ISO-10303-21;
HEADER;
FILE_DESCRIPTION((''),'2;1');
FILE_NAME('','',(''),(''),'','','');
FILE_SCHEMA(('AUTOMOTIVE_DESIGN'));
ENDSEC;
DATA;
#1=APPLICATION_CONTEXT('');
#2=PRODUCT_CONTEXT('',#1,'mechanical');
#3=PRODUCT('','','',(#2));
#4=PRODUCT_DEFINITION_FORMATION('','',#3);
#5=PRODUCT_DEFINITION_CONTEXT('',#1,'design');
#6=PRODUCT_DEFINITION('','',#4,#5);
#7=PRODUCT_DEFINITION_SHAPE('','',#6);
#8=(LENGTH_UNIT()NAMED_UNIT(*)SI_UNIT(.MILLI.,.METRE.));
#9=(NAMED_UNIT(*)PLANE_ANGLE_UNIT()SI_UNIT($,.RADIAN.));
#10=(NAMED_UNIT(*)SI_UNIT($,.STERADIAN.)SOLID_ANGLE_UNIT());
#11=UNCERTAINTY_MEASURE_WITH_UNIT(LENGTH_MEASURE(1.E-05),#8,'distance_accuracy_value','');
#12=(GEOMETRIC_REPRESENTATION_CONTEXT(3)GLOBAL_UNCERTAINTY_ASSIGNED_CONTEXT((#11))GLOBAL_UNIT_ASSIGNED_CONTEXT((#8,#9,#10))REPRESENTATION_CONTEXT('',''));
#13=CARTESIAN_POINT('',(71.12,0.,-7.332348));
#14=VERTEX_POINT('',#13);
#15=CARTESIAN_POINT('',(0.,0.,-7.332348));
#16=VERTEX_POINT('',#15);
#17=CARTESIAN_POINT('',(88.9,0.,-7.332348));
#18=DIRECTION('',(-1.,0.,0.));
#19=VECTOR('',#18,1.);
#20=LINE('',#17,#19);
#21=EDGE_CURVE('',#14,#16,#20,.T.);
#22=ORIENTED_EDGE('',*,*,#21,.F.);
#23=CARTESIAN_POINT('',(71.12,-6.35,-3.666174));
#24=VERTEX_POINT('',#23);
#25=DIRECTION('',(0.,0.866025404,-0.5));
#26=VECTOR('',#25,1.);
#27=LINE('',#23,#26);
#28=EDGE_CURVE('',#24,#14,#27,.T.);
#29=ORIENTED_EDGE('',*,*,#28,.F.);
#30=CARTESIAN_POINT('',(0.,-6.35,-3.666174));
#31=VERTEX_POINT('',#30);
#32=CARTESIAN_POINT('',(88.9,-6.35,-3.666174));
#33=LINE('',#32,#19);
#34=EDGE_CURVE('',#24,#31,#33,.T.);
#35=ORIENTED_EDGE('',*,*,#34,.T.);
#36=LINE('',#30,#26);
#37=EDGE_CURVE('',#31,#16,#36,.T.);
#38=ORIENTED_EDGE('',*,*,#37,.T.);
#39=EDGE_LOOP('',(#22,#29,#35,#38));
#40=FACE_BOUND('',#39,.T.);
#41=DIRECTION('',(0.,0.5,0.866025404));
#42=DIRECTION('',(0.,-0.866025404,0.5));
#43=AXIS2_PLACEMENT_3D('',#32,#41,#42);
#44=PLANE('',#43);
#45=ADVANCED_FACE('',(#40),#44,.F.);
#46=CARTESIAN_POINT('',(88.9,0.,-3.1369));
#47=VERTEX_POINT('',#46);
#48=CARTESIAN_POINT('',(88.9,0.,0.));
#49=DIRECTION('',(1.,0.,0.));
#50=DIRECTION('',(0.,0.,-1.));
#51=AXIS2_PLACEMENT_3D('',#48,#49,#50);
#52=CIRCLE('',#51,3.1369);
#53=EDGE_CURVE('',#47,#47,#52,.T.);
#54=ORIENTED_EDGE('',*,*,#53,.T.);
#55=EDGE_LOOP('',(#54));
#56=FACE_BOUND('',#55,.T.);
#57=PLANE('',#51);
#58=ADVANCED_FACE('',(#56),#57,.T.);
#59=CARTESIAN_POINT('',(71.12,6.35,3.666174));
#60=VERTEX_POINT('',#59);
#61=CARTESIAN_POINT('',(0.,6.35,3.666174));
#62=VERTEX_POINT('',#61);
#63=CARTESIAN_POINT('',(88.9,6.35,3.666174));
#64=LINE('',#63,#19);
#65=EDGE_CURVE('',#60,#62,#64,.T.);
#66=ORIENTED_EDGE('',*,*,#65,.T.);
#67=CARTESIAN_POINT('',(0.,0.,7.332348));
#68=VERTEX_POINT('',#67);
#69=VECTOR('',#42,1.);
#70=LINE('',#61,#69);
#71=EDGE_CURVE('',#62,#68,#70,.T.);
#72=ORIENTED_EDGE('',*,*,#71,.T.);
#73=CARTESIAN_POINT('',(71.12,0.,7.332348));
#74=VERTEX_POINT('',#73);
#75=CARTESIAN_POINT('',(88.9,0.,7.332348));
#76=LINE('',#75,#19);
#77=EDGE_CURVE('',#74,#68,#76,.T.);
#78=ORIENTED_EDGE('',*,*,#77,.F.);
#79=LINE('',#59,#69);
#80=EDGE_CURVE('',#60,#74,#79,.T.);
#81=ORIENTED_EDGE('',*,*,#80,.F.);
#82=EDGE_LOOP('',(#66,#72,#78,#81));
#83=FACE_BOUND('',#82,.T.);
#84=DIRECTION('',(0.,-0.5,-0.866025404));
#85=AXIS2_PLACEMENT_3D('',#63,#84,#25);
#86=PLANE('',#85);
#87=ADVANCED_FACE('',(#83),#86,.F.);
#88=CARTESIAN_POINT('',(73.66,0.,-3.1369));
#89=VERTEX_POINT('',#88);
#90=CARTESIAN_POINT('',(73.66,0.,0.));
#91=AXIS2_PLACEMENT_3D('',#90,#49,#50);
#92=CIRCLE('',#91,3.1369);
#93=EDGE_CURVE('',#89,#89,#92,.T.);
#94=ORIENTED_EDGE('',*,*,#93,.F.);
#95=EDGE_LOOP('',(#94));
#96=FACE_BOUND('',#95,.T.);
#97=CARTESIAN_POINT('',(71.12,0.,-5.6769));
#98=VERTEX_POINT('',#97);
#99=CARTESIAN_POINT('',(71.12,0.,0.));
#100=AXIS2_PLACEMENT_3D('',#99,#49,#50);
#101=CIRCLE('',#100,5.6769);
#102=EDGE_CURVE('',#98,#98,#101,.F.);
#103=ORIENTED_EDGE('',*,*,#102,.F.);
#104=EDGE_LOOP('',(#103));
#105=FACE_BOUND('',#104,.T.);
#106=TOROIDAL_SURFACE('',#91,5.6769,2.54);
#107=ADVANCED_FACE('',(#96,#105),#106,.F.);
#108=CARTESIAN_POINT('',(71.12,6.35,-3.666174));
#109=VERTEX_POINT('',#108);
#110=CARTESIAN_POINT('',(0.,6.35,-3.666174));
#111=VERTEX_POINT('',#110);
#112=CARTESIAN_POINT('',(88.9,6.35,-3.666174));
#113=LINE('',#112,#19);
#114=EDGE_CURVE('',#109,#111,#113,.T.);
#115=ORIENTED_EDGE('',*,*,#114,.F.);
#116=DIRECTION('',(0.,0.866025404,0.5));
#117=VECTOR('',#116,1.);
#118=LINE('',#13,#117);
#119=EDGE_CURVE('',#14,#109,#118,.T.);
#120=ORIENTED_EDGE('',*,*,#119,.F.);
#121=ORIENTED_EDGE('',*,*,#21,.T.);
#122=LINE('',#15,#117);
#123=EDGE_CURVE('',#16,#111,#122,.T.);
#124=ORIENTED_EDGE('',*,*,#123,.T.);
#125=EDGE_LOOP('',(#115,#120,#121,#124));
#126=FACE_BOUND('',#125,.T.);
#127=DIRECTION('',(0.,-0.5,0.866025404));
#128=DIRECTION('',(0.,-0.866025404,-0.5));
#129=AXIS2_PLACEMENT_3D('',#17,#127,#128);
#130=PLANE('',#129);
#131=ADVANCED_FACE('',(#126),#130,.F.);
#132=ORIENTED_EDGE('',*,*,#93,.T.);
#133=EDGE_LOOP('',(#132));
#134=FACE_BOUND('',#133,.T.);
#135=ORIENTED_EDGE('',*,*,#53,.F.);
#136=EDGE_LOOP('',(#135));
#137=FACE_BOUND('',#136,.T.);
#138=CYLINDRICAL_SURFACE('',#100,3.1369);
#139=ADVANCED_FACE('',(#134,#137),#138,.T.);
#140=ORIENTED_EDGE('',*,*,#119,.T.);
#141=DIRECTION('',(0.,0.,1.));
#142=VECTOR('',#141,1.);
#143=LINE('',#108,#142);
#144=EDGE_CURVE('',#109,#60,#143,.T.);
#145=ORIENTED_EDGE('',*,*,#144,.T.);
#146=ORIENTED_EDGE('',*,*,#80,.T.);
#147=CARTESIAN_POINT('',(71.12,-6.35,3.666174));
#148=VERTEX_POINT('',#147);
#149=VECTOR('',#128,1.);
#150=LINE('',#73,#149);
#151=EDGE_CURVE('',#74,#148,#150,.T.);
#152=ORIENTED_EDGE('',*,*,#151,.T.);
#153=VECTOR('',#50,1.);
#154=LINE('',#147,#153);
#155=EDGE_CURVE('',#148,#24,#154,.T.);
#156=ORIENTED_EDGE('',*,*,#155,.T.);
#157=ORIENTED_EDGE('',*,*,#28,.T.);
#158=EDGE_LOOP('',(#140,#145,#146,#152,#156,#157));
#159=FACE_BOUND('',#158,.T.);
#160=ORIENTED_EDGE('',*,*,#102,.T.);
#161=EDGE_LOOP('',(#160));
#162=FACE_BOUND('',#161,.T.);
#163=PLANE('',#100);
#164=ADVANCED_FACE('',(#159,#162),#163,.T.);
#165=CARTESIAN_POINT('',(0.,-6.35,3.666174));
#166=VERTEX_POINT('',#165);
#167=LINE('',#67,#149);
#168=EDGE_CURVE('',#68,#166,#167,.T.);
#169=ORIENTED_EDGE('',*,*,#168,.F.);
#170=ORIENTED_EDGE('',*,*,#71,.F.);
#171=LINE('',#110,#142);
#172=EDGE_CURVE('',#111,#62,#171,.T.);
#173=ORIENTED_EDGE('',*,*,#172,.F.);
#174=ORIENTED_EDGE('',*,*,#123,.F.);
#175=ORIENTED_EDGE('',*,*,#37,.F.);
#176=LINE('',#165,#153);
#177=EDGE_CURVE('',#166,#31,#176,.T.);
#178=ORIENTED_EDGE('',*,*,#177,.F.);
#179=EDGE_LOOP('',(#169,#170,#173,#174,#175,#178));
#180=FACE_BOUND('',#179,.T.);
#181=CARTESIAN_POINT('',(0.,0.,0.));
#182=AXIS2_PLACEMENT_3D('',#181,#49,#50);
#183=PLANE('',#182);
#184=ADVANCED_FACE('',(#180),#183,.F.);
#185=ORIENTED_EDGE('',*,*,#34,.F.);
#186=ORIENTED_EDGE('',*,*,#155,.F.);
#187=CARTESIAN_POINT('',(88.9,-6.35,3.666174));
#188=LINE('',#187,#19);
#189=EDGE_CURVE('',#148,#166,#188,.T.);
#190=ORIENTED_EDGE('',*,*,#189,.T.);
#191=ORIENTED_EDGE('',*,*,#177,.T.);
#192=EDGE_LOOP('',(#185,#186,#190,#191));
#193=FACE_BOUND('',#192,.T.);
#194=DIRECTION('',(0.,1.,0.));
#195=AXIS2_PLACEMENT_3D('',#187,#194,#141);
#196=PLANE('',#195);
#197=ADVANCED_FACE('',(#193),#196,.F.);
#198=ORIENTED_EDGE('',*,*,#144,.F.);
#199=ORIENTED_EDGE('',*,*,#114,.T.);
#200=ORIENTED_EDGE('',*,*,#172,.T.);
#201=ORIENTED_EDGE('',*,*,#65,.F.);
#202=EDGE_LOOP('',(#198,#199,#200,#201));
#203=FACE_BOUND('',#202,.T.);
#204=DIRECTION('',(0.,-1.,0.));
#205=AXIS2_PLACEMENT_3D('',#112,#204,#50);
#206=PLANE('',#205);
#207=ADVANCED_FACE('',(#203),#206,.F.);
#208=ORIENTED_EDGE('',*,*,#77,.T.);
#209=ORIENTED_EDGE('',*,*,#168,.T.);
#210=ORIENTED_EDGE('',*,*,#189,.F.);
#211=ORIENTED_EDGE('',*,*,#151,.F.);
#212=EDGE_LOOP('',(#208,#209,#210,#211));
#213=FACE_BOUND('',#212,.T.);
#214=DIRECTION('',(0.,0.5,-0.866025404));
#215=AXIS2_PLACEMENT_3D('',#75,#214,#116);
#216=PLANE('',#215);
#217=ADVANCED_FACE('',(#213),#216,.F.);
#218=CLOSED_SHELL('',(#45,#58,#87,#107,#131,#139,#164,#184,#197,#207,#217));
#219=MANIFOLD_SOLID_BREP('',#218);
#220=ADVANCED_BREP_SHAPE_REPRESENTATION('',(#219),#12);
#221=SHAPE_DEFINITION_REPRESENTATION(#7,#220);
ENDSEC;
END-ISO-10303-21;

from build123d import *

# Parameters (mm, degrees)
BOSS_EXTRUDE1_DEPTH = 88.9
SKETCH2_R           = 9.399520033
SKETCH2_R_2         = 3.1369
CUT_EXTRUDE1_DEPTH  = 17.78
FILLET1_R           = 2.54


with BuildPart() as part:
    # Sketch1 → Boss-Extrude1 (new body)
    with BuildSketch(Plane(origin=(0, 0, 0), x_dir=(0, 0, -1), z_dir=(1, 0, 0))):
        Polygon((3.666174209, -6.35), (7.332348419, 0), (3.666174209, 6.35), (-3.666174209, 6.35), (-7.332348419, 0), (-3.666174209, -6.35), align=None)
    extrude(amount=BOSS_EXTRUDE1_DEPTH)

    # Sketch2 → Cut-Extrude1 (cut)
    with BuildSketch(Plane(origin=(88.9, 0, 0), x_dir=(0, 0, -1), z_dir=(1, 0, 0))):
        Circle(SKETCH2_R)
        Circle(SKETCH2_R_2, mode=Mode.SUBTRACT)
    extrude(amount=-CUT_EXTRUDE1_DEPTH, mode=Mode.SUBTRACT)

    # Fillet1
    fillet1_edges = [part.edges().sort_by_distance(p)[0] for p in [
        (71.12, 0, 3.1369),
    ]]
    fillet(fillet1_edges, radius=FILLET1_R)


solid = part.part
